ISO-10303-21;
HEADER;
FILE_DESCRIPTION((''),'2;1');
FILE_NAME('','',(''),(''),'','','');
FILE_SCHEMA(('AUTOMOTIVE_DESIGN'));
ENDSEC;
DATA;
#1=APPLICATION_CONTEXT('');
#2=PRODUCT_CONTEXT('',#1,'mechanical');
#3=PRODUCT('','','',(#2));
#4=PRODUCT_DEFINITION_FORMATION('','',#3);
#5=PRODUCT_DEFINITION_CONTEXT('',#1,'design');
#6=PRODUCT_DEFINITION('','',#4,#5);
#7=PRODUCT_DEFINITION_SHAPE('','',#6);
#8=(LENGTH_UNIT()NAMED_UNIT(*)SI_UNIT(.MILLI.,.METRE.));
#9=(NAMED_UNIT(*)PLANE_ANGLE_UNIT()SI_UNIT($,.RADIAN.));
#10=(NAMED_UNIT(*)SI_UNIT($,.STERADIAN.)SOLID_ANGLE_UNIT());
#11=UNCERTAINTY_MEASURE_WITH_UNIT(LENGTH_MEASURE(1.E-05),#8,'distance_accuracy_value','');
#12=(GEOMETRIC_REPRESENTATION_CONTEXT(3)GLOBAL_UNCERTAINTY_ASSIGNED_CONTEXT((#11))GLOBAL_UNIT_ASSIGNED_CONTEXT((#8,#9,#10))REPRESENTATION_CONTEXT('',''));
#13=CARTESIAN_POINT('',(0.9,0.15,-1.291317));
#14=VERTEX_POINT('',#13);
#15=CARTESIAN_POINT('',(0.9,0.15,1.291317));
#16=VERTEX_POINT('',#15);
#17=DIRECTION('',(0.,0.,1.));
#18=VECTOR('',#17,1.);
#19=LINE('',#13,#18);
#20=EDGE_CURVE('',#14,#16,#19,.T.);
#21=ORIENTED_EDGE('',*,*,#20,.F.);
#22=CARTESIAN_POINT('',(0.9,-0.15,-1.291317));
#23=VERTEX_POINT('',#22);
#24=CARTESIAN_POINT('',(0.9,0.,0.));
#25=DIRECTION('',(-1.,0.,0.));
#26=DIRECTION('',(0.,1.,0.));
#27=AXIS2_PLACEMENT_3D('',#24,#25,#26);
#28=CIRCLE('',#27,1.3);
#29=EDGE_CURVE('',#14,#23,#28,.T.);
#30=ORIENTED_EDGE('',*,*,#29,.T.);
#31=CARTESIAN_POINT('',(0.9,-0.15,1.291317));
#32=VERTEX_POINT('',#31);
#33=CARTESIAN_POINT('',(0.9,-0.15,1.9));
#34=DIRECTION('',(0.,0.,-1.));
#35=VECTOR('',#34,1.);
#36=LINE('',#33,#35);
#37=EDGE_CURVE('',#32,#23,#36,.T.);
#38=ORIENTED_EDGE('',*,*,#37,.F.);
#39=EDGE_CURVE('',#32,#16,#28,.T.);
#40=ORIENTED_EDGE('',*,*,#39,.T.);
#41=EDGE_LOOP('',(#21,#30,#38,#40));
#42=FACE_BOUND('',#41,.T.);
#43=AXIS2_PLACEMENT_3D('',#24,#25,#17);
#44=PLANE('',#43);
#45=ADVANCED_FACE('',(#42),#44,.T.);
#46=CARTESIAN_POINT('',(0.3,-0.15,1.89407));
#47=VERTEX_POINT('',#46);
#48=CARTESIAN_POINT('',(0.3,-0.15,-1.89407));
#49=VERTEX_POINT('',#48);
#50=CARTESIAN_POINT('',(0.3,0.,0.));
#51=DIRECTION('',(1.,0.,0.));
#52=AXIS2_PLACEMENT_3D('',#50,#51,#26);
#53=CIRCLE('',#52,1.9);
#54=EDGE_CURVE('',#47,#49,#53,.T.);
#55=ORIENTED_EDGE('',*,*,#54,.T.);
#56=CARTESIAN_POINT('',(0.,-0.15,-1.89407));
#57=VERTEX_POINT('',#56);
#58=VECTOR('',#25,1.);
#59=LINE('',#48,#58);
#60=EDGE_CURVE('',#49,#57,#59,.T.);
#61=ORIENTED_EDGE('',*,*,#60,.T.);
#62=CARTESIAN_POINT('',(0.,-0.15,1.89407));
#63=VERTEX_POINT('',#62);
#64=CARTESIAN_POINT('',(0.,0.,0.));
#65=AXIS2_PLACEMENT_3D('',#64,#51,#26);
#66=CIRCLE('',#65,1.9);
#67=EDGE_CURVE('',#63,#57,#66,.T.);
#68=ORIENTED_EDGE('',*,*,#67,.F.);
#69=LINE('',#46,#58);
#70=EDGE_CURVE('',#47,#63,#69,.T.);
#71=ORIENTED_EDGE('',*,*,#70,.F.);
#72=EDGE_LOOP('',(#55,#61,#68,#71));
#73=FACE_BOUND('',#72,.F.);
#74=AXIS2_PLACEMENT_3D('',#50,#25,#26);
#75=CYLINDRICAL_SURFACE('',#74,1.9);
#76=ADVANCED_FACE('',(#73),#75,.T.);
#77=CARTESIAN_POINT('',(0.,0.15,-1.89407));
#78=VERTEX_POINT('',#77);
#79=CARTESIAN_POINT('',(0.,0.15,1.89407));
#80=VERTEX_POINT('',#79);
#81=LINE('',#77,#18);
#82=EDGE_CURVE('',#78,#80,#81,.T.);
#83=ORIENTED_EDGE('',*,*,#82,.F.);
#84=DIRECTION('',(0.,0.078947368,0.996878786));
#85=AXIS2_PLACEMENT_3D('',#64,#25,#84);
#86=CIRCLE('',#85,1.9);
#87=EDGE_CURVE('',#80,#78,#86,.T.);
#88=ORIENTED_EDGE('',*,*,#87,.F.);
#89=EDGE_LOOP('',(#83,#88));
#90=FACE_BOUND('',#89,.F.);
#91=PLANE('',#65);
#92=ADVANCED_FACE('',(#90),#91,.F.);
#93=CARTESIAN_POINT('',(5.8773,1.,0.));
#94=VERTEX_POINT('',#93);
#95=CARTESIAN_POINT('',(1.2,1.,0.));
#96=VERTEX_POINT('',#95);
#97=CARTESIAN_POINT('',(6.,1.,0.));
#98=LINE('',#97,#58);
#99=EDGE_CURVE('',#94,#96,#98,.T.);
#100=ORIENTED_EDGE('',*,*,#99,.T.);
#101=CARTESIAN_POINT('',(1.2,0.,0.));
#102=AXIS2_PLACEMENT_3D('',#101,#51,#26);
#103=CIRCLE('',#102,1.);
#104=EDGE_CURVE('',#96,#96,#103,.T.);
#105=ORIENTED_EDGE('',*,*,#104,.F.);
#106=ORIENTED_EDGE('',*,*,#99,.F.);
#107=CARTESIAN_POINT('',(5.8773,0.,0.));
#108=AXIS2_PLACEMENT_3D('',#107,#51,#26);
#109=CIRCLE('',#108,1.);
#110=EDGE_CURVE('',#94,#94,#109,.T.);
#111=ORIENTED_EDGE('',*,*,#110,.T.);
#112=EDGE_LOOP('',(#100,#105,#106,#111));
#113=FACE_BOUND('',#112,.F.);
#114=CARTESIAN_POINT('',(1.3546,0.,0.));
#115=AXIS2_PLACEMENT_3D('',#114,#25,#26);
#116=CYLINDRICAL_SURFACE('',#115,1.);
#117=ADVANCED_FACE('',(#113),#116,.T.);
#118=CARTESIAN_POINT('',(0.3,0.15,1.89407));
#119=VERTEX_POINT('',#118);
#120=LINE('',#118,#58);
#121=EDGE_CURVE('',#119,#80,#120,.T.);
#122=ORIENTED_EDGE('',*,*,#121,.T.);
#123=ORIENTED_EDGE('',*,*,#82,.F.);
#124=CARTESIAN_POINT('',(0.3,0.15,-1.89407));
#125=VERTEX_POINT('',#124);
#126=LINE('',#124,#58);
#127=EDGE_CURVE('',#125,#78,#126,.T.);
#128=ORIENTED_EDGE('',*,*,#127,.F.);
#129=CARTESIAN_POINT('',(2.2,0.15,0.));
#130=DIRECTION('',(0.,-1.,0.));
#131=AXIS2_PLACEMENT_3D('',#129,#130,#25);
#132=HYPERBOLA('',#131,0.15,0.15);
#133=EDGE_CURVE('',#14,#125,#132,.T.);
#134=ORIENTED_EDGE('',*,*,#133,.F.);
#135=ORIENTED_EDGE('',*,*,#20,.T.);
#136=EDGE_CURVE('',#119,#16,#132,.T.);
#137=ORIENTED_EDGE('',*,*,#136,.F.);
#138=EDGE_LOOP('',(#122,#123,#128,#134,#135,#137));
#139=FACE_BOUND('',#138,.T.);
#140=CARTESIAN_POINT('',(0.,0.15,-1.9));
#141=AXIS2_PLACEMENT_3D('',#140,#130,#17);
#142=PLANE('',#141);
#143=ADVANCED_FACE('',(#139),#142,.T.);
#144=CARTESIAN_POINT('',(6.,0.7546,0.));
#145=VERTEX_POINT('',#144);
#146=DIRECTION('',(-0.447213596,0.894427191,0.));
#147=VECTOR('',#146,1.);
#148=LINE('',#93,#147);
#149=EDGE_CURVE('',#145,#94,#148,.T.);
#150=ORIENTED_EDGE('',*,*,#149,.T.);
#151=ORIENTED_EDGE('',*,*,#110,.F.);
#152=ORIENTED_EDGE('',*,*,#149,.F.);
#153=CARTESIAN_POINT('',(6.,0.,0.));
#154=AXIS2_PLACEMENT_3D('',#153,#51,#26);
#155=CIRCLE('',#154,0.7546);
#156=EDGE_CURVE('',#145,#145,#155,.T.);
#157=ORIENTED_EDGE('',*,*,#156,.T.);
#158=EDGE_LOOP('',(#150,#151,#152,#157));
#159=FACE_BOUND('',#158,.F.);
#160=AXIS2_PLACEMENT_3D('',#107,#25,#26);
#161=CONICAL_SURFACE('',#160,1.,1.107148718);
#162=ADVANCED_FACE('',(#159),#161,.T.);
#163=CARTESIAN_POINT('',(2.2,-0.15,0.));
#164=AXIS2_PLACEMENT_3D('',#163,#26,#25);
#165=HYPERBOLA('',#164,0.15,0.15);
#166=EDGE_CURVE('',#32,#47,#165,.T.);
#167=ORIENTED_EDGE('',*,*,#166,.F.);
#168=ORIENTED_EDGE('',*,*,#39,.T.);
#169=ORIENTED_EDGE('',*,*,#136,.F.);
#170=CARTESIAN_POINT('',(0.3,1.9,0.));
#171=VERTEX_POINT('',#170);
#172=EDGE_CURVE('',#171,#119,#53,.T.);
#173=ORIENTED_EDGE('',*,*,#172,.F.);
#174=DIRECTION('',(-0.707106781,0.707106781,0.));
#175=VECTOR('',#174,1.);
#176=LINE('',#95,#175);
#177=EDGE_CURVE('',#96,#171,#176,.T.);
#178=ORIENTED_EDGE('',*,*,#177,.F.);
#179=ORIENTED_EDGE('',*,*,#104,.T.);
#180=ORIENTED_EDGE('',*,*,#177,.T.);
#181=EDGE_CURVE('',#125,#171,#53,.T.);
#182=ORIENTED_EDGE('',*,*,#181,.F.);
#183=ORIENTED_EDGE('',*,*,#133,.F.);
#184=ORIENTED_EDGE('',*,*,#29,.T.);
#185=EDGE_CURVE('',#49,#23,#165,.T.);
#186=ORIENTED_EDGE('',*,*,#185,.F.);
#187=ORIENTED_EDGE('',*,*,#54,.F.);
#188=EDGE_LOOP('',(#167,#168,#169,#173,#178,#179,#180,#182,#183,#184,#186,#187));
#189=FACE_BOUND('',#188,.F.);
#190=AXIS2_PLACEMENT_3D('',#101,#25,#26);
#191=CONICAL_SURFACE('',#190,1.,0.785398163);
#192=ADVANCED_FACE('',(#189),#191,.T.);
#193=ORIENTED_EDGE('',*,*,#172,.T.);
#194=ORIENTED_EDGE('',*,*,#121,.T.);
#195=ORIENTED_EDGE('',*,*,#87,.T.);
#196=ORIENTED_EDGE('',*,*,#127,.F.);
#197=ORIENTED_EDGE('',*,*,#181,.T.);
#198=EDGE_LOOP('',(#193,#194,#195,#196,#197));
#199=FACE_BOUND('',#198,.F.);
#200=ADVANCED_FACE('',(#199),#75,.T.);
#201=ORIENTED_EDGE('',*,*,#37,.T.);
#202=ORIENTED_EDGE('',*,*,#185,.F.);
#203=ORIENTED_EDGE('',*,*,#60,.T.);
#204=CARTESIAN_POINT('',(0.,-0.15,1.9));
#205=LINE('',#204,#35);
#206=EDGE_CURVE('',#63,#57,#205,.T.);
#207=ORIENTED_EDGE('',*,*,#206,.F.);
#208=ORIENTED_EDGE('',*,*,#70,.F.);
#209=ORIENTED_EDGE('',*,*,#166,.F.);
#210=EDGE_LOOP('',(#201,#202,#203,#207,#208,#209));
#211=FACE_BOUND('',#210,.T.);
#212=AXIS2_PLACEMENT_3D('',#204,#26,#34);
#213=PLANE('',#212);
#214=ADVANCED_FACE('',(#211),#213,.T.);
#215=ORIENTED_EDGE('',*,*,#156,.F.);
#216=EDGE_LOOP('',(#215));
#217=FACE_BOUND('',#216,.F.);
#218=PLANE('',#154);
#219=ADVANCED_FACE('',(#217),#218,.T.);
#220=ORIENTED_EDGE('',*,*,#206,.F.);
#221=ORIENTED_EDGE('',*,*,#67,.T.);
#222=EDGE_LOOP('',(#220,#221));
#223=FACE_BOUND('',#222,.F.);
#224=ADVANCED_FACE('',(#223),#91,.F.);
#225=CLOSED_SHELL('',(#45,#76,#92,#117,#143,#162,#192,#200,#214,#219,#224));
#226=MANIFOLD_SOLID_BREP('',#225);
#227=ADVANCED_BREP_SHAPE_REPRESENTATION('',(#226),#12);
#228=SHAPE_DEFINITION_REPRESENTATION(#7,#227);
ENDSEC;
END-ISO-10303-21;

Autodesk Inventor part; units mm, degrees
ref_plane "YZ Plane" through (0, 0, 0) normal (1, 0, 0) x (0, 1, 0)
ref_plane "XZ Plane" through (0, 0, 0) normal (0, 1, 0) x (-1, 0, 0)
sketch "Эскиз1" plane through (0, 0, 0) normal (0, 0, 1) x (1, 0, 0)
  line L0 (0, 0) -> (6, 0)
  line L1 (6, 0) -> (6, 1)
  line L2 (6, 1) -> (1.6, 1)
  line L3 (1.6, 1) -> (1.3546, 1)
  line L4 (1.3546, 1) -> (1.2, 1)
  line L5 (1.2, 1) -> (0.3, 1.9)
  line L6 (0.3, 1.9) -> (0, 1.9)
  line L7 (0, 1.9) -> (0, 0)
  line L8 (1.6, 1) -> (1.2, 1) construction
  line L9 (-1.2, 0) -> (7.2, 0) projected
  line L10 (0, 2.28) -> (0, -0.38) projected
  dimension "d0" = 6
  dimension "d1" = 45
  dimension "d2" = 0.2454
  dimension "d3" = 4.4
  dimension "d4" = 1.2
  dimension "d5" = 2
  dimension "d6" = 2
  dimension "d7" = 3.8
revolve "Базовый элемент" add sketch "Эскиз1" angle 360 about axis through (0, 0, 0) along (1, 0, 0)
sketch "Эскиз2" plane through (0, 0, 0) normal (-1, 0, 0) x (0, 0, 1)
  line L0 (1.9, -0.15) -> (-1.9, -0.15)
  line L1 (-1.9, -0.15) -> (-1.9, 0.15)
  line L2 (-1.9, 0.15) -> (1.9, 0.15)
  line L3 (1.9, 0.15) -> (1.9, -0.15)
  line L4 (0, 0.15) -> (0, -0.15) construction
  line L5 (-1.9, 0) -> (1.9, 0) construction
  line L6 (0, 1.9) -> (0, 0) projected
  dimension "d15" = 0.3
  dimension "d16" = 3.8
extrude "Паз" cut sketch "Эскиз2" against normal blind 0.9
thread "Резьба" size "M2x0.4" class "6g" standard "ISO Metric profile" length 4.4
chamfer "Фаска1" distance 0.2454 distance2 0.1227 1 edges at (6, -1, 0) measured on face at (6, -0.0858, 0.7069)
ref_plane "Work Plane1" through (33.575, 0, 0) normal (0, 0, -1) x (1, 0, 0)
equation "\"d0\" = NLG"
equation "\"d1\" = 0.5 * SEWI"
equation "\"d2\" = GAL"
equation "\"d3\" = GEL"
equation "\"d4\" = KOH"
equation "\"d5\" = BDM"
equation "\"d6\" = GD"
equation "\"d7\" = KOD"
equation "\"d15\" = SBR"
equation "\"d16\" = KOD"
equation "\"d8\" = STI"
equation "\"d10\" = GEL"
equation "\"d12\" = -0.5 * SPD + 0.5 * GD"
equation "\"d13\" = 0.5 * GAL"
equation "\"NLG\" = 6"
equation "\"GAL\" = 0.61345 * PTC"
equation "\"GEL\" = 4.4"
equation "\"KOH\" = 1.2"
equation "\"KOD\" = 3.8"
equation "\"SEWI\" = 90deg"
equation "\"BDM\" = NND"
equation "\"GD\" = NND"
equation "\"SBR\" = 0.3"
equation "\"STI\" = 0.9"
equation "\"SPD\" = NND - 1.2269 * PTC"
equation "\"GUL\" = 0.61345 * PTC"
equation "\"PTC\" = 0.4"
equation "\"EPV\" = 2.2"
equation "\"THREADDIA\" = 2"
equation "\"TOA\" = 30deg"
equation "\"FAWI\" = 45deg"
equation "\"RR\" = 0.1 * NND"
equation "\"NND\" = 2"
equation "\"GD1\" = THREADDIA - 1.2269 * PTC"
properties part number "Винт M2-6gx6 ГОСТ 17475-80" material "Сталь, мягкая"
